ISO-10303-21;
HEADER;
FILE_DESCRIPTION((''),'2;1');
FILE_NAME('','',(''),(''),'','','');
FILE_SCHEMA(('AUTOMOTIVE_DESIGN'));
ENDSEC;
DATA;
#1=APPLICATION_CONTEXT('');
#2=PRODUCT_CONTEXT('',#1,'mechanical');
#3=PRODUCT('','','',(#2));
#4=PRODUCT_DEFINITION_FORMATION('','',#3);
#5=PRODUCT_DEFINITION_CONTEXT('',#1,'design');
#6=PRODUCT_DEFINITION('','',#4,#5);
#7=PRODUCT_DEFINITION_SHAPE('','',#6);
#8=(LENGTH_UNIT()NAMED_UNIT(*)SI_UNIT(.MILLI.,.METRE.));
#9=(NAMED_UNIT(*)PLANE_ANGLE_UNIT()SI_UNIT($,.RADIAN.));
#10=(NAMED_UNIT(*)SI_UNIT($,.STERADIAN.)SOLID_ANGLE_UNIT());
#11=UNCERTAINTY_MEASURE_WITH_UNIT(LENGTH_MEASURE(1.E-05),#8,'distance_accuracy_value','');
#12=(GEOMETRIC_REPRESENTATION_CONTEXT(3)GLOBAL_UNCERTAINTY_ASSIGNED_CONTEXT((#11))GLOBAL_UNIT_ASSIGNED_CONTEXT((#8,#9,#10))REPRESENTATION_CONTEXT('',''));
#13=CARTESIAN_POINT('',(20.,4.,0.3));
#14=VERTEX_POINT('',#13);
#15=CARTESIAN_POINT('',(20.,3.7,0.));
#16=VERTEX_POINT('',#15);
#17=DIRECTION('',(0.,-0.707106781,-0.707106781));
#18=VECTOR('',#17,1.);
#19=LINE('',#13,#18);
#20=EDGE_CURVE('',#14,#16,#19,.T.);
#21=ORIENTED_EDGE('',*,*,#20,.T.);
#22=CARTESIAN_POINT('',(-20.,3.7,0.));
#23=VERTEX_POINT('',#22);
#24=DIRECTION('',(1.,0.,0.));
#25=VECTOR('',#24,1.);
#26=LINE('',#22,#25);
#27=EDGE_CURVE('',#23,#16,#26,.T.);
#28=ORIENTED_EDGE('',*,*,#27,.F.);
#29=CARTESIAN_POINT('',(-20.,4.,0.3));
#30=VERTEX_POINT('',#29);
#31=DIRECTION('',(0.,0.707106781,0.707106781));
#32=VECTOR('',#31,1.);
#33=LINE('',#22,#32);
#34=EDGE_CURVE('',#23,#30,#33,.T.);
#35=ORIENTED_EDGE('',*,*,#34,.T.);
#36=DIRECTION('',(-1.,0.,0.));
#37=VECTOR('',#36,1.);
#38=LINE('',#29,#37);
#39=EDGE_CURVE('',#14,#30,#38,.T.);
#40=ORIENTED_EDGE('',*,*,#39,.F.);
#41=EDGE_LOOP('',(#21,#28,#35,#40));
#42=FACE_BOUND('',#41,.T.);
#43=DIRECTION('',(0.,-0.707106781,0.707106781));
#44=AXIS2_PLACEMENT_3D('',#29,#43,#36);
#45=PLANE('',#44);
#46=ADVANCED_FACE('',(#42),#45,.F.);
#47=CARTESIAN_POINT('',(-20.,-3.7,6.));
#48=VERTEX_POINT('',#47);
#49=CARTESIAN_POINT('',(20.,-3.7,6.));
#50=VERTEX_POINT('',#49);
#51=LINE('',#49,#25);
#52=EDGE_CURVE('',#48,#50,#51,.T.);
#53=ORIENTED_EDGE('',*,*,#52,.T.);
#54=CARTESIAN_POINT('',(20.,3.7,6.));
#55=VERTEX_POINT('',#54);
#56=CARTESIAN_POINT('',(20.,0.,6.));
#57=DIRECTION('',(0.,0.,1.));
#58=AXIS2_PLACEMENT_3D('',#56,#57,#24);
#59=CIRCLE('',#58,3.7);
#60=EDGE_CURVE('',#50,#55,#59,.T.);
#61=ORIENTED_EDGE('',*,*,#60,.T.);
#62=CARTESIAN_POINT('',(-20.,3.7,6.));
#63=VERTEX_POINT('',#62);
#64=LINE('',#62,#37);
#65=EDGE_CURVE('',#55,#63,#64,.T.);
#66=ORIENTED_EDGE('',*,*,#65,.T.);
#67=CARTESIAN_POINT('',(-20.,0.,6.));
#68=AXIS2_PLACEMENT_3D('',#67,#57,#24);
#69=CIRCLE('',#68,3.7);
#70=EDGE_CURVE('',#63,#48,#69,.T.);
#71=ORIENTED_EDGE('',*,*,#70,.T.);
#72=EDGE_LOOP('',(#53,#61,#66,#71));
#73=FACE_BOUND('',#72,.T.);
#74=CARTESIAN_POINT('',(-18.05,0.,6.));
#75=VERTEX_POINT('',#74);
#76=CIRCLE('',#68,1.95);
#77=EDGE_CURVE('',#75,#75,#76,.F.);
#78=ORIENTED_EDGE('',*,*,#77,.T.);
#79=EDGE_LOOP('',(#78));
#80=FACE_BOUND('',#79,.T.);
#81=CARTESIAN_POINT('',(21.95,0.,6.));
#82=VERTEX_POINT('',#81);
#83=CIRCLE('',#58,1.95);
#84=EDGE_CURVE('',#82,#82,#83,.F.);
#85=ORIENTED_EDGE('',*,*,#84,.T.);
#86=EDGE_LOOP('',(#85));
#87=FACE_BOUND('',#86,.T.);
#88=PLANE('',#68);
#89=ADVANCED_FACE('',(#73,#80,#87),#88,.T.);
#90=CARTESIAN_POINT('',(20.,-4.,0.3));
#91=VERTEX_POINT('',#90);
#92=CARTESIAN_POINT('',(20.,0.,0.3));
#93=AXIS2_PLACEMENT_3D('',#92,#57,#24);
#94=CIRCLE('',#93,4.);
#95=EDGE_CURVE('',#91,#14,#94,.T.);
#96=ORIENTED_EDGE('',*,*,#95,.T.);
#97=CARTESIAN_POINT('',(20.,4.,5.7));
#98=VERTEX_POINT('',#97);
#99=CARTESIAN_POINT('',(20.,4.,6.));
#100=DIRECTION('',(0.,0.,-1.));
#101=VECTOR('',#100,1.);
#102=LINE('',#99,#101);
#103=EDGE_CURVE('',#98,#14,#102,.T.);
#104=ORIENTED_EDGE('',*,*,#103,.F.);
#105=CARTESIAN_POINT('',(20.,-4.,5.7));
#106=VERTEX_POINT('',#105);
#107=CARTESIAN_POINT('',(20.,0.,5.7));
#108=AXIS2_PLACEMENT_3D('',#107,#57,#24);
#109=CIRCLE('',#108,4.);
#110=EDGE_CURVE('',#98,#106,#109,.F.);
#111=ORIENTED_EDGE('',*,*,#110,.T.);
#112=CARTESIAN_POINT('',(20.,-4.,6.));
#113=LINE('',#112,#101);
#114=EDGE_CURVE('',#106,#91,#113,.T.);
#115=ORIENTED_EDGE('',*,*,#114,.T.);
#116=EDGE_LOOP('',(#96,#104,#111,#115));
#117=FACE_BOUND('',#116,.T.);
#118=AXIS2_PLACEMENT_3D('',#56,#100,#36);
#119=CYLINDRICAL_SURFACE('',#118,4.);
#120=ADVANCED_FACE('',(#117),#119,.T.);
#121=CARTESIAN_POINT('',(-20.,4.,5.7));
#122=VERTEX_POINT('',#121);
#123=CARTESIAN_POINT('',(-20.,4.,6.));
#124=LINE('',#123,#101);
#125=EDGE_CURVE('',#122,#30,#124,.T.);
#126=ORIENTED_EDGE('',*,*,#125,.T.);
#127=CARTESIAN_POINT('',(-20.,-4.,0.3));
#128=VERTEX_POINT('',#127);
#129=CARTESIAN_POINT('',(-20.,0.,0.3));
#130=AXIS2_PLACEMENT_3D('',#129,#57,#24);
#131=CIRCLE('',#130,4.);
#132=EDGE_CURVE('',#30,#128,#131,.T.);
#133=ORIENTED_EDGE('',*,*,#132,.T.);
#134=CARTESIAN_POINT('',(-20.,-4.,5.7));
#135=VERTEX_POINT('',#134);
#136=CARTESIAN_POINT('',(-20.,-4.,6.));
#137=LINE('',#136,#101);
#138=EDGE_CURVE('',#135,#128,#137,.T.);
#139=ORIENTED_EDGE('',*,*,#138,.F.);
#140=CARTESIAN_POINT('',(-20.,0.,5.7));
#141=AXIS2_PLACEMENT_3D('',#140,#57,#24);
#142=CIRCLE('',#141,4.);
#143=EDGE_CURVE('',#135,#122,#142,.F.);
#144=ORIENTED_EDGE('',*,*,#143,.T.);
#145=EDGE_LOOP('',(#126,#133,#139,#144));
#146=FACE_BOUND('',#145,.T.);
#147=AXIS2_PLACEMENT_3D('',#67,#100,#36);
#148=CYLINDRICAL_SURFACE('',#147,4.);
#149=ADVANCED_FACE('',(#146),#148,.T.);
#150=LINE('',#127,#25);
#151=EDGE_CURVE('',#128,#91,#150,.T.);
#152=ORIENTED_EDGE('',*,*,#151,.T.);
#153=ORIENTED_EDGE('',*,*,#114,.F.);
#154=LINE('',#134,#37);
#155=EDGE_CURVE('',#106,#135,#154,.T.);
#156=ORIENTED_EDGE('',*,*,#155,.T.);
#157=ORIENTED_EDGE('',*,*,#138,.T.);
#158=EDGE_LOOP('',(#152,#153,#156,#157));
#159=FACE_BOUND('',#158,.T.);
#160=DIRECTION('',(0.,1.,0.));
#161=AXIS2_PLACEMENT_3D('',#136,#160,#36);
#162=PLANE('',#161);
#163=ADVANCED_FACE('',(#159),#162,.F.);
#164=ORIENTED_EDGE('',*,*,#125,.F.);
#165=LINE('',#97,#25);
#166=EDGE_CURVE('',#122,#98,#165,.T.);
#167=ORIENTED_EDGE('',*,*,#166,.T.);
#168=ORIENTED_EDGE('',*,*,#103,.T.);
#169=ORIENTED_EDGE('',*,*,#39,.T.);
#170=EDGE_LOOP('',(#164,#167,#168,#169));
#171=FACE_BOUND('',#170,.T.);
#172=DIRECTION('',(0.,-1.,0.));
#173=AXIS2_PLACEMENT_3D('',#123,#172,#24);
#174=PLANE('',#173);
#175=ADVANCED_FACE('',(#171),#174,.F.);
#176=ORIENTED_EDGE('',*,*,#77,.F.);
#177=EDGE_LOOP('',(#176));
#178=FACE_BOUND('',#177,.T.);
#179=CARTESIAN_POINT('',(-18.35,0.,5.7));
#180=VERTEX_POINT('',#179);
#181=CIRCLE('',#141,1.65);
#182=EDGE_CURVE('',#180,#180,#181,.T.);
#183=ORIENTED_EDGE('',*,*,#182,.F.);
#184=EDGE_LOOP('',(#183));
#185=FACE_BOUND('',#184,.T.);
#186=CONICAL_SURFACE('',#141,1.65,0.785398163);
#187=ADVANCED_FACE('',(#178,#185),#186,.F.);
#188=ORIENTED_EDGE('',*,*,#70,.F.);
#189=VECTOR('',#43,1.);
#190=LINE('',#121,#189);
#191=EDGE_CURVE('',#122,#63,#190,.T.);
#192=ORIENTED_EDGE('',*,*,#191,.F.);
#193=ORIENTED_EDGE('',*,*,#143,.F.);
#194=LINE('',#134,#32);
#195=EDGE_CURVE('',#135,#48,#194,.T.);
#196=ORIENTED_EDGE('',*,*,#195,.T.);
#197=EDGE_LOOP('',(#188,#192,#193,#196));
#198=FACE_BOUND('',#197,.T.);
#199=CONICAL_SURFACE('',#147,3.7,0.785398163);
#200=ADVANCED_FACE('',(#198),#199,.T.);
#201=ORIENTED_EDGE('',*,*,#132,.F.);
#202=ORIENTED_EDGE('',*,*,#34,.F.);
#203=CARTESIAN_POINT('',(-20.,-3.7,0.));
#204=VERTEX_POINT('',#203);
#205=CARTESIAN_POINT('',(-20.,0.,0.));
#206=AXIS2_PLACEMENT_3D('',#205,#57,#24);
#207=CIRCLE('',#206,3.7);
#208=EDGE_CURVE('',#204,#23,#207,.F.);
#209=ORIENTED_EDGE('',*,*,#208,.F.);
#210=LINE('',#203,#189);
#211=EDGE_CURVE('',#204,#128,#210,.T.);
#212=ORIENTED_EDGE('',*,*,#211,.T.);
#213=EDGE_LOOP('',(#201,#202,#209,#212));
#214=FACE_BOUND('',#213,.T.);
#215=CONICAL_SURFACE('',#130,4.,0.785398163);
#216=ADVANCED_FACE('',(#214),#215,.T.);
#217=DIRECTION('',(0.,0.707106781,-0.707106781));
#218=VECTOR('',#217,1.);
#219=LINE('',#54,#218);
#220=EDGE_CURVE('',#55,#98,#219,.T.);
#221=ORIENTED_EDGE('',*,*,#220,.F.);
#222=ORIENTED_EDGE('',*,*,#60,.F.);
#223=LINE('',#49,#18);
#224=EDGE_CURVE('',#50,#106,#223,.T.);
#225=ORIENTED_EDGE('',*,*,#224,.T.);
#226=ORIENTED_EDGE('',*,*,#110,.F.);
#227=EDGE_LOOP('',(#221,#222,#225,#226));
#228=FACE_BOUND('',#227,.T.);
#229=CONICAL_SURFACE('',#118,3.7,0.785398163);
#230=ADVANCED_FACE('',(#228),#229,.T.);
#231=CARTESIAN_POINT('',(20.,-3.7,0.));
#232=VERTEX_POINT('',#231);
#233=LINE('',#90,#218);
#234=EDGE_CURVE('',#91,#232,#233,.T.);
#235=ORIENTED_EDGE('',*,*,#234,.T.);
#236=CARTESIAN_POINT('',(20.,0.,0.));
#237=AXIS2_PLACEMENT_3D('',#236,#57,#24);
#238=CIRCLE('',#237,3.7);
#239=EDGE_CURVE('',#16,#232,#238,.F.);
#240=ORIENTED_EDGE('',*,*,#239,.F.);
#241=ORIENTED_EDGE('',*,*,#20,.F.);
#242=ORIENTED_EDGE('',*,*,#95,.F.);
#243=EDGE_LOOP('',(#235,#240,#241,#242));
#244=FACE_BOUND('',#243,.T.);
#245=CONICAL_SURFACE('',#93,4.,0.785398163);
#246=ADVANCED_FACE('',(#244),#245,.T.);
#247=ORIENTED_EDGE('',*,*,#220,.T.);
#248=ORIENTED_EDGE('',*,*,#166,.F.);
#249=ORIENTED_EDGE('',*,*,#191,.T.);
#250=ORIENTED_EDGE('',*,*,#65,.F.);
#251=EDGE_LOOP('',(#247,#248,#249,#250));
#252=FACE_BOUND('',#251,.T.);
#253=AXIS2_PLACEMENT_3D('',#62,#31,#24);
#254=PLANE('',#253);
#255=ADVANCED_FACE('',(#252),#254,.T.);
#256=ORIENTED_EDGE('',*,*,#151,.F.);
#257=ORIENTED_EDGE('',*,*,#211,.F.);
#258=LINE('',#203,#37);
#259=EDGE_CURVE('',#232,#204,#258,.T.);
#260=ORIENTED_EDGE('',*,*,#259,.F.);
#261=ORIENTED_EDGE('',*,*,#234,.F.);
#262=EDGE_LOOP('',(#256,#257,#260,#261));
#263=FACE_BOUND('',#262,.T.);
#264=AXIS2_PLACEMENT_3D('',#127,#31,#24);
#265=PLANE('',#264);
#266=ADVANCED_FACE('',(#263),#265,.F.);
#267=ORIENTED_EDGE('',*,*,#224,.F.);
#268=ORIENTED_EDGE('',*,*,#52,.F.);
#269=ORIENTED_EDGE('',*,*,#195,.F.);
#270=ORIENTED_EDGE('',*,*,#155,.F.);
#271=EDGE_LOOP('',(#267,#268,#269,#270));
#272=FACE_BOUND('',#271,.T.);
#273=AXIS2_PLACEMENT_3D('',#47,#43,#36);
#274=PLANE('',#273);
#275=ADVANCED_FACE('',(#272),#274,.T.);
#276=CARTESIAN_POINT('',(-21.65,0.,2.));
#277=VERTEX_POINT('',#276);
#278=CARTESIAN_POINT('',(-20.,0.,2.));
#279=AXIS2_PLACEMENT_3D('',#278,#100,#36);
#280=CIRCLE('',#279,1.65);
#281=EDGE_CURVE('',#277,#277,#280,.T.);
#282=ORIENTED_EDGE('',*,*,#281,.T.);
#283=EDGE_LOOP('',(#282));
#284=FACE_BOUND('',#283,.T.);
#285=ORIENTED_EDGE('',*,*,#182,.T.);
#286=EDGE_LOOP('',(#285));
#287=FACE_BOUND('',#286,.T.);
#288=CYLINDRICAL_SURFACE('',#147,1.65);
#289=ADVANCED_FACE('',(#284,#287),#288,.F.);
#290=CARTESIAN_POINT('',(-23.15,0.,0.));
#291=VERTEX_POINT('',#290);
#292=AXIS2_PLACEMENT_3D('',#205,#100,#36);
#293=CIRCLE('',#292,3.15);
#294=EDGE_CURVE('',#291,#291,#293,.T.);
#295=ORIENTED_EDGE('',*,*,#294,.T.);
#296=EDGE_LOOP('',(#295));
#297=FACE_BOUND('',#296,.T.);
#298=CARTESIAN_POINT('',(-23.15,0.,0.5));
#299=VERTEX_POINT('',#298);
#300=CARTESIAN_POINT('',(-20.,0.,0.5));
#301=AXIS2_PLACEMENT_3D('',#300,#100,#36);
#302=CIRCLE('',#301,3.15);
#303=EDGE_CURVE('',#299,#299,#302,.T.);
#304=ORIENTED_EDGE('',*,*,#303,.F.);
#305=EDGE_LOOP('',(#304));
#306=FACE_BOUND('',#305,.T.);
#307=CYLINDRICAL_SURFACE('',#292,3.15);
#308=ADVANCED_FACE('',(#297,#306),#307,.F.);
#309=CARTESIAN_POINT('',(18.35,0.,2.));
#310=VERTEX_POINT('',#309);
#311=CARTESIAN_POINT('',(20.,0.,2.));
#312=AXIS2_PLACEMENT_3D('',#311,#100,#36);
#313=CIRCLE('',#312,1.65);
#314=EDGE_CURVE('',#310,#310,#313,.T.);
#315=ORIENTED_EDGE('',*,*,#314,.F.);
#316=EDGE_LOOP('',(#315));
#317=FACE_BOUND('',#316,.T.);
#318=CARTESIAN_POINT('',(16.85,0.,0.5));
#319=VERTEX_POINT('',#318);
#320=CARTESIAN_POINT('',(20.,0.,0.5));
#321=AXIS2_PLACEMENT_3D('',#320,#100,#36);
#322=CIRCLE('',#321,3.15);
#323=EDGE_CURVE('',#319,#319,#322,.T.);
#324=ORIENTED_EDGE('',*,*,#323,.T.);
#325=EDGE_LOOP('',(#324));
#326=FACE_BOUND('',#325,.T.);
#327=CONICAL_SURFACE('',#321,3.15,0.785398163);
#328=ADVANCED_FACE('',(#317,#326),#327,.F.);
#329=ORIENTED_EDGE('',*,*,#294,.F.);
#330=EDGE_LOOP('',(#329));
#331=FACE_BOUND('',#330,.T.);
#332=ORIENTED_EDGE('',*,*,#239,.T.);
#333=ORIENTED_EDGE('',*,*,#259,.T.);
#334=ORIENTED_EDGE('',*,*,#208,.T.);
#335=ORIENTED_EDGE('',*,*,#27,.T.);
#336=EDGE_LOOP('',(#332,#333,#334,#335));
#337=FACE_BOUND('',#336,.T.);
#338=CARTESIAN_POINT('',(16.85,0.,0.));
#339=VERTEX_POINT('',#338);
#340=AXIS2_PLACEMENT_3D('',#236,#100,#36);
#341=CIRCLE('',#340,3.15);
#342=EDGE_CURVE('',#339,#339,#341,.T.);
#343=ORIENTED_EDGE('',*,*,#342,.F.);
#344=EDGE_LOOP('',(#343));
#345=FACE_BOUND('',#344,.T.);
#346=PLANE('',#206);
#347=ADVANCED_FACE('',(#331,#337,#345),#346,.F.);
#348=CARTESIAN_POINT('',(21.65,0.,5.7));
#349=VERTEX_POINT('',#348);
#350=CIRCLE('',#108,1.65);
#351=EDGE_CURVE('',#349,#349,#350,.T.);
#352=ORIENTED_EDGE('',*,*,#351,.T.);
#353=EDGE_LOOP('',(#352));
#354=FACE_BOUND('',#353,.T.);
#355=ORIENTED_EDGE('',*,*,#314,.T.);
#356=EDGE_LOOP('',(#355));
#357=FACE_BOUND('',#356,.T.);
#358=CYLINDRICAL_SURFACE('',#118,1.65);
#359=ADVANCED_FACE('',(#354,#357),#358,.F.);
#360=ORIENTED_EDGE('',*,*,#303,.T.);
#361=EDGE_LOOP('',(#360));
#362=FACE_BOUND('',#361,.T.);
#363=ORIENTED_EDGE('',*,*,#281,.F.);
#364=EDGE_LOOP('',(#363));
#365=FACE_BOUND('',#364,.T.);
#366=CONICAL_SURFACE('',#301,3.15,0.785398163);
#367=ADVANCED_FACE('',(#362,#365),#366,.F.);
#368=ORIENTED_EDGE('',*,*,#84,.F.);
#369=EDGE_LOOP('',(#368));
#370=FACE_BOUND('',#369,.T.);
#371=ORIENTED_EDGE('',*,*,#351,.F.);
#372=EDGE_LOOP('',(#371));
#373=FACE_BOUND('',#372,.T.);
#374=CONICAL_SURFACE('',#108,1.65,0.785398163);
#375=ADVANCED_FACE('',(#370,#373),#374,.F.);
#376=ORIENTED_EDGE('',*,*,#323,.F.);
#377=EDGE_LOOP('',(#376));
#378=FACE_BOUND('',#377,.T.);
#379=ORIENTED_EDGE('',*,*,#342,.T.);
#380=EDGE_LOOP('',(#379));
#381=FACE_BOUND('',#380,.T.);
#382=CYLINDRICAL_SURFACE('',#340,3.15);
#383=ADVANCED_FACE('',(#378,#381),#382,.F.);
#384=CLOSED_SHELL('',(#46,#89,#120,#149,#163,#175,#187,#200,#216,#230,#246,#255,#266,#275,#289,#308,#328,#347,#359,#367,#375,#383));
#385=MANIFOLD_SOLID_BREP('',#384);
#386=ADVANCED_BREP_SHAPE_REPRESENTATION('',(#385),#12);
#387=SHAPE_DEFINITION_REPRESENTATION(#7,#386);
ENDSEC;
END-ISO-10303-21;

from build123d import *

# Parameters (mm, degrees)
SKETCH1_R                                    = 1.65
BOSS_EXTRUDE1_DEPTH                          = 6
CSK_FOR_M3_COUNTERSUNK_FLAT_HEAD_SCR_2_COUNT = 2
CSK_FOR_M3_COUNTERSUNK_FLAT_HEAD_SCR_2_PITCH = 40
CHAMFER1_SIZE                                = 0.3


with BuildPart() as part:
    # Sketch1 → Boss-Extrude1 (new body)
    with BuildSketch(Plane.XY):
        with BuildLine():
            Line((-20, 4), (20, 4))
            ThreePointArc((20, 4), (24, 0), (20, -4))
            Line((20, -4), (-20, -4))
            ThreePointArc((-20, -4), (-24, 0), (-20, 4))
        make_face()
        with Locations((-20, 0)):
            Circle(SKETCH1_R, mode=Mode.SUBTRACT)
        with Locations((20, 0)):
            Circle(SKETCH1_R, mode=Mode.SUBTRACT)
    extrude(amount=BOSS_EXTRUDE1_DEPTH)

    # Sketch3 → CSK for M3 Countersunk Flat Head Screw1 (revolve, cut)
    with BuildSketch(Plane.YZ.offset(-20)):
        Polygon((0, 0), (0, 6), (1.65, 6), (1.65, 2), (3.15, 0.5), (3.15, 0), align=None)
    csk_for_m3_countersunk_flat_head_screw1 = revolve(axis=Axis((-20, 0, -6.35), (0, 0, 1)), mode=Mode.SUBTRACT)

    # CSK for M3 Countersunk Flat Head Scr 2: CSK for M3 Countersunk Flat Head Screw1 ×2
    with Locations(*[(i * CSK_FOR_M3_COUNTERSUNK_FLAT_HEAD_SCR_2_PITCH, 0, 0) for i in range(1, CSK_FOR_M3_COUNTERSUNK_FLAT_HEAD_SCR_2_COUNT)]):
        add(csk_for_m3_countersunk_flat_head_screw1, mode=Mode.SUBTRACT)

    # Chamfer1
    chamfer1_edges = [part.edges().sort_by_distance(p)[0] for p in [
        (-21.65, 0, 6),
        (24, 0, 6),
        (18.35, 0, 6),
        (0, 4, 6),
        (-24, 0, 6),
        (0, 4, 0),
        (24, 0, 0),
        (0, -4, 0),
        (-24, 0, 0),
        (0, -4, 6),
    ]]
    chamfer(chamfer1_edges, length=CHAMFER1_SIZE)


solid = part.part
